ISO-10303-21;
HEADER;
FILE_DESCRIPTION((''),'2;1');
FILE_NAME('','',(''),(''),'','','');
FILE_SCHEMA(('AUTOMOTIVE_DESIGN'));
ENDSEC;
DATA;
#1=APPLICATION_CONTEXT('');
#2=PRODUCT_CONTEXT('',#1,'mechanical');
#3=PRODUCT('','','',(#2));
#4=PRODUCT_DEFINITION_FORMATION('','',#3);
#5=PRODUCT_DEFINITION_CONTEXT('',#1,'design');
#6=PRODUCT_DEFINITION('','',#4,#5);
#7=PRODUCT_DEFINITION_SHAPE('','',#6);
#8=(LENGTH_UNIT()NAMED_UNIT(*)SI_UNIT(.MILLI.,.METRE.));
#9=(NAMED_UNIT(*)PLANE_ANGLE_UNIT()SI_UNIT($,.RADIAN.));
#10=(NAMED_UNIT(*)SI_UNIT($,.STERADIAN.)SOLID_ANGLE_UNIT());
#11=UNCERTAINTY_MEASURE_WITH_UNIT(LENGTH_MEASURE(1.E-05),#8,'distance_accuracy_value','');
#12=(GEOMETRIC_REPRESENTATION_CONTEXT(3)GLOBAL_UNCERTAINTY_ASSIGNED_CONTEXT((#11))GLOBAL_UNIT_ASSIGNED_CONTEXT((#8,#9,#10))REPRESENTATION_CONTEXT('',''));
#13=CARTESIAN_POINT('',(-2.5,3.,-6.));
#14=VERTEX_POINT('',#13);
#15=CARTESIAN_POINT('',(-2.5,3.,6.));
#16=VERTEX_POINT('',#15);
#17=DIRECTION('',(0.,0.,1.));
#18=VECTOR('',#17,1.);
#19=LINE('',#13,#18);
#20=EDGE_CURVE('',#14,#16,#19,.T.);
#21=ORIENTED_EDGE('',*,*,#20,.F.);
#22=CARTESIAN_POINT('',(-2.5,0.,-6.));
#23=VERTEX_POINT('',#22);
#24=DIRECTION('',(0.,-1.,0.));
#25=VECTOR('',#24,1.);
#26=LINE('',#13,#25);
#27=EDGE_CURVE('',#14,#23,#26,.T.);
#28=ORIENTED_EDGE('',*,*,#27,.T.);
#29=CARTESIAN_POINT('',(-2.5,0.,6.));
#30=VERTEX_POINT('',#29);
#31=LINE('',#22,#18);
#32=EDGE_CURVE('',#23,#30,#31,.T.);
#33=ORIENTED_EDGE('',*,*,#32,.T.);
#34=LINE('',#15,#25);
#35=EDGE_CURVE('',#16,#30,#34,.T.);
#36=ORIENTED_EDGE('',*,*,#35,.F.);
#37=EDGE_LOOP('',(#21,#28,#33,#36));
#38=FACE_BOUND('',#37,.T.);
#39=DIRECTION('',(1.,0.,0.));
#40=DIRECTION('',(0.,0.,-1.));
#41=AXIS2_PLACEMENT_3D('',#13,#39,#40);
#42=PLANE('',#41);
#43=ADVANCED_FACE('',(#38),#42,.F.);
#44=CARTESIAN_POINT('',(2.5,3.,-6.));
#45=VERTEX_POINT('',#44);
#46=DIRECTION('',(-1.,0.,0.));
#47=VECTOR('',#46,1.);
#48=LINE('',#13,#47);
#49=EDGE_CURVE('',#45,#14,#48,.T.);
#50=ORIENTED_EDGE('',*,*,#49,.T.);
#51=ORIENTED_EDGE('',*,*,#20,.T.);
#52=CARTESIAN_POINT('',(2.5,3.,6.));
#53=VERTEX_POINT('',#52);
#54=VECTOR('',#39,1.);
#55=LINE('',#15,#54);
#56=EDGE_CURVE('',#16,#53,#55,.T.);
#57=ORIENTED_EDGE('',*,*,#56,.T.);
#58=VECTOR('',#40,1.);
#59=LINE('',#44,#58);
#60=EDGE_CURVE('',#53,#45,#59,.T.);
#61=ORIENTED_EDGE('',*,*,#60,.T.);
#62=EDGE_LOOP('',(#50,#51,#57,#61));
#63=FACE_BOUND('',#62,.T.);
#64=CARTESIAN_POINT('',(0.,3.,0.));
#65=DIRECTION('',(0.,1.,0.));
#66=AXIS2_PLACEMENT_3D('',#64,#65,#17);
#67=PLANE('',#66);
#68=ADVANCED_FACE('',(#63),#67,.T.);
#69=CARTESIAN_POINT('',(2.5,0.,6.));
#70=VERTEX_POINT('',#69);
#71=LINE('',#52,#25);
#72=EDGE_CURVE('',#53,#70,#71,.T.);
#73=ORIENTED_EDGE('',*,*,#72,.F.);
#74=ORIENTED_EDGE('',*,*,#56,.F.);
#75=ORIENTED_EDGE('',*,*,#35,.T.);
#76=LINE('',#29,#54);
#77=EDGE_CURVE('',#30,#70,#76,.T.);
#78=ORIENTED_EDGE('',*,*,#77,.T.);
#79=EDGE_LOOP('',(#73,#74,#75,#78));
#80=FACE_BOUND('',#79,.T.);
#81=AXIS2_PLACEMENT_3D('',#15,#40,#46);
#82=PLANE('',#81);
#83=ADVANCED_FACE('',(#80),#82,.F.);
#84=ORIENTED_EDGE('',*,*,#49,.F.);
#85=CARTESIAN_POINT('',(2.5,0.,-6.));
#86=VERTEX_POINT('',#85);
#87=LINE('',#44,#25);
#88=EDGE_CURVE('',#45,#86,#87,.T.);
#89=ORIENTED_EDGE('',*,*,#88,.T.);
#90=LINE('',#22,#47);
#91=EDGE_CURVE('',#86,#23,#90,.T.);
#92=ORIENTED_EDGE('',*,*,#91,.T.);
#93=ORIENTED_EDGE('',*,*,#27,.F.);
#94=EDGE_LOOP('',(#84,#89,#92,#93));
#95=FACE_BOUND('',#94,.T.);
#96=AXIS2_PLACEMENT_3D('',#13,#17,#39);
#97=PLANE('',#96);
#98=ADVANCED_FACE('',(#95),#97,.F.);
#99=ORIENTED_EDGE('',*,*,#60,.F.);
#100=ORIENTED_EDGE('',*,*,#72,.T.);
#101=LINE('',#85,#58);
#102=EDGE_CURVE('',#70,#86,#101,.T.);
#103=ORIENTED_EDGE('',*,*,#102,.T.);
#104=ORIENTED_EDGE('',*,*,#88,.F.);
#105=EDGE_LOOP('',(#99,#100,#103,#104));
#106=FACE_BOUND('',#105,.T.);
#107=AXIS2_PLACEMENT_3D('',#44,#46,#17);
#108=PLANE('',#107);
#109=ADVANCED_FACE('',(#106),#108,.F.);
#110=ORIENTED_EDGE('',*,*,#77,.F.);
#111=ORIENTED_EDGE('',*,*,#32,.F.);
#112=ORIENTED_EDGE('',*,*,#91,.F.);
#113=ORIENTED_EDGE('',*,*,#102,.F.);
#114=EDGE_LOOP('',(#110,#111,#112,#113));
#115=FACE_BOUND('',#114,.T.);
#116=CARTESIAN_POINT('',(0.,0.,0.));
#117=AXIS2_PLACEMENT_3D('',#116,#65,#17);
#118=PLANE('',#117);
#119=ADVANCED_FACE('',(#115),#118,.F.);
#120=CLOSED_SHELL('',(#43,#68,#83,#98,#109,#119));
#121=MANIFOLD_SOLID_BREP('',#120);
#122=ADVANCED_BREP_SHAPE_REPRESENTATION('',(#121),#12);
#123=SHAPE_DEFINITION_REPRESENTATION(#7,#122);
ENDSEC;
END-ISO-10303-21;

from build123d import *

# Parameters (mm, degrees)
SKETCH1_W           = 5
SKETCH1_H           = 12
BOSS_EXTRUDE1_DEPTH = 3


with BuildPart() as part:
    # Sketch1 → Boss-Extrude1 (new body)
    with BuildSketch(Plane(origin=(0, 0, 0), x_dir=(1, 0, 0), z_dir=(0, 1, 0))):
        Rectangle(SKETCH1_W, SKETCH1_H)
    extrude(amount=BOSS_EXTRUDE1_DEPTH)


solid = part.part
